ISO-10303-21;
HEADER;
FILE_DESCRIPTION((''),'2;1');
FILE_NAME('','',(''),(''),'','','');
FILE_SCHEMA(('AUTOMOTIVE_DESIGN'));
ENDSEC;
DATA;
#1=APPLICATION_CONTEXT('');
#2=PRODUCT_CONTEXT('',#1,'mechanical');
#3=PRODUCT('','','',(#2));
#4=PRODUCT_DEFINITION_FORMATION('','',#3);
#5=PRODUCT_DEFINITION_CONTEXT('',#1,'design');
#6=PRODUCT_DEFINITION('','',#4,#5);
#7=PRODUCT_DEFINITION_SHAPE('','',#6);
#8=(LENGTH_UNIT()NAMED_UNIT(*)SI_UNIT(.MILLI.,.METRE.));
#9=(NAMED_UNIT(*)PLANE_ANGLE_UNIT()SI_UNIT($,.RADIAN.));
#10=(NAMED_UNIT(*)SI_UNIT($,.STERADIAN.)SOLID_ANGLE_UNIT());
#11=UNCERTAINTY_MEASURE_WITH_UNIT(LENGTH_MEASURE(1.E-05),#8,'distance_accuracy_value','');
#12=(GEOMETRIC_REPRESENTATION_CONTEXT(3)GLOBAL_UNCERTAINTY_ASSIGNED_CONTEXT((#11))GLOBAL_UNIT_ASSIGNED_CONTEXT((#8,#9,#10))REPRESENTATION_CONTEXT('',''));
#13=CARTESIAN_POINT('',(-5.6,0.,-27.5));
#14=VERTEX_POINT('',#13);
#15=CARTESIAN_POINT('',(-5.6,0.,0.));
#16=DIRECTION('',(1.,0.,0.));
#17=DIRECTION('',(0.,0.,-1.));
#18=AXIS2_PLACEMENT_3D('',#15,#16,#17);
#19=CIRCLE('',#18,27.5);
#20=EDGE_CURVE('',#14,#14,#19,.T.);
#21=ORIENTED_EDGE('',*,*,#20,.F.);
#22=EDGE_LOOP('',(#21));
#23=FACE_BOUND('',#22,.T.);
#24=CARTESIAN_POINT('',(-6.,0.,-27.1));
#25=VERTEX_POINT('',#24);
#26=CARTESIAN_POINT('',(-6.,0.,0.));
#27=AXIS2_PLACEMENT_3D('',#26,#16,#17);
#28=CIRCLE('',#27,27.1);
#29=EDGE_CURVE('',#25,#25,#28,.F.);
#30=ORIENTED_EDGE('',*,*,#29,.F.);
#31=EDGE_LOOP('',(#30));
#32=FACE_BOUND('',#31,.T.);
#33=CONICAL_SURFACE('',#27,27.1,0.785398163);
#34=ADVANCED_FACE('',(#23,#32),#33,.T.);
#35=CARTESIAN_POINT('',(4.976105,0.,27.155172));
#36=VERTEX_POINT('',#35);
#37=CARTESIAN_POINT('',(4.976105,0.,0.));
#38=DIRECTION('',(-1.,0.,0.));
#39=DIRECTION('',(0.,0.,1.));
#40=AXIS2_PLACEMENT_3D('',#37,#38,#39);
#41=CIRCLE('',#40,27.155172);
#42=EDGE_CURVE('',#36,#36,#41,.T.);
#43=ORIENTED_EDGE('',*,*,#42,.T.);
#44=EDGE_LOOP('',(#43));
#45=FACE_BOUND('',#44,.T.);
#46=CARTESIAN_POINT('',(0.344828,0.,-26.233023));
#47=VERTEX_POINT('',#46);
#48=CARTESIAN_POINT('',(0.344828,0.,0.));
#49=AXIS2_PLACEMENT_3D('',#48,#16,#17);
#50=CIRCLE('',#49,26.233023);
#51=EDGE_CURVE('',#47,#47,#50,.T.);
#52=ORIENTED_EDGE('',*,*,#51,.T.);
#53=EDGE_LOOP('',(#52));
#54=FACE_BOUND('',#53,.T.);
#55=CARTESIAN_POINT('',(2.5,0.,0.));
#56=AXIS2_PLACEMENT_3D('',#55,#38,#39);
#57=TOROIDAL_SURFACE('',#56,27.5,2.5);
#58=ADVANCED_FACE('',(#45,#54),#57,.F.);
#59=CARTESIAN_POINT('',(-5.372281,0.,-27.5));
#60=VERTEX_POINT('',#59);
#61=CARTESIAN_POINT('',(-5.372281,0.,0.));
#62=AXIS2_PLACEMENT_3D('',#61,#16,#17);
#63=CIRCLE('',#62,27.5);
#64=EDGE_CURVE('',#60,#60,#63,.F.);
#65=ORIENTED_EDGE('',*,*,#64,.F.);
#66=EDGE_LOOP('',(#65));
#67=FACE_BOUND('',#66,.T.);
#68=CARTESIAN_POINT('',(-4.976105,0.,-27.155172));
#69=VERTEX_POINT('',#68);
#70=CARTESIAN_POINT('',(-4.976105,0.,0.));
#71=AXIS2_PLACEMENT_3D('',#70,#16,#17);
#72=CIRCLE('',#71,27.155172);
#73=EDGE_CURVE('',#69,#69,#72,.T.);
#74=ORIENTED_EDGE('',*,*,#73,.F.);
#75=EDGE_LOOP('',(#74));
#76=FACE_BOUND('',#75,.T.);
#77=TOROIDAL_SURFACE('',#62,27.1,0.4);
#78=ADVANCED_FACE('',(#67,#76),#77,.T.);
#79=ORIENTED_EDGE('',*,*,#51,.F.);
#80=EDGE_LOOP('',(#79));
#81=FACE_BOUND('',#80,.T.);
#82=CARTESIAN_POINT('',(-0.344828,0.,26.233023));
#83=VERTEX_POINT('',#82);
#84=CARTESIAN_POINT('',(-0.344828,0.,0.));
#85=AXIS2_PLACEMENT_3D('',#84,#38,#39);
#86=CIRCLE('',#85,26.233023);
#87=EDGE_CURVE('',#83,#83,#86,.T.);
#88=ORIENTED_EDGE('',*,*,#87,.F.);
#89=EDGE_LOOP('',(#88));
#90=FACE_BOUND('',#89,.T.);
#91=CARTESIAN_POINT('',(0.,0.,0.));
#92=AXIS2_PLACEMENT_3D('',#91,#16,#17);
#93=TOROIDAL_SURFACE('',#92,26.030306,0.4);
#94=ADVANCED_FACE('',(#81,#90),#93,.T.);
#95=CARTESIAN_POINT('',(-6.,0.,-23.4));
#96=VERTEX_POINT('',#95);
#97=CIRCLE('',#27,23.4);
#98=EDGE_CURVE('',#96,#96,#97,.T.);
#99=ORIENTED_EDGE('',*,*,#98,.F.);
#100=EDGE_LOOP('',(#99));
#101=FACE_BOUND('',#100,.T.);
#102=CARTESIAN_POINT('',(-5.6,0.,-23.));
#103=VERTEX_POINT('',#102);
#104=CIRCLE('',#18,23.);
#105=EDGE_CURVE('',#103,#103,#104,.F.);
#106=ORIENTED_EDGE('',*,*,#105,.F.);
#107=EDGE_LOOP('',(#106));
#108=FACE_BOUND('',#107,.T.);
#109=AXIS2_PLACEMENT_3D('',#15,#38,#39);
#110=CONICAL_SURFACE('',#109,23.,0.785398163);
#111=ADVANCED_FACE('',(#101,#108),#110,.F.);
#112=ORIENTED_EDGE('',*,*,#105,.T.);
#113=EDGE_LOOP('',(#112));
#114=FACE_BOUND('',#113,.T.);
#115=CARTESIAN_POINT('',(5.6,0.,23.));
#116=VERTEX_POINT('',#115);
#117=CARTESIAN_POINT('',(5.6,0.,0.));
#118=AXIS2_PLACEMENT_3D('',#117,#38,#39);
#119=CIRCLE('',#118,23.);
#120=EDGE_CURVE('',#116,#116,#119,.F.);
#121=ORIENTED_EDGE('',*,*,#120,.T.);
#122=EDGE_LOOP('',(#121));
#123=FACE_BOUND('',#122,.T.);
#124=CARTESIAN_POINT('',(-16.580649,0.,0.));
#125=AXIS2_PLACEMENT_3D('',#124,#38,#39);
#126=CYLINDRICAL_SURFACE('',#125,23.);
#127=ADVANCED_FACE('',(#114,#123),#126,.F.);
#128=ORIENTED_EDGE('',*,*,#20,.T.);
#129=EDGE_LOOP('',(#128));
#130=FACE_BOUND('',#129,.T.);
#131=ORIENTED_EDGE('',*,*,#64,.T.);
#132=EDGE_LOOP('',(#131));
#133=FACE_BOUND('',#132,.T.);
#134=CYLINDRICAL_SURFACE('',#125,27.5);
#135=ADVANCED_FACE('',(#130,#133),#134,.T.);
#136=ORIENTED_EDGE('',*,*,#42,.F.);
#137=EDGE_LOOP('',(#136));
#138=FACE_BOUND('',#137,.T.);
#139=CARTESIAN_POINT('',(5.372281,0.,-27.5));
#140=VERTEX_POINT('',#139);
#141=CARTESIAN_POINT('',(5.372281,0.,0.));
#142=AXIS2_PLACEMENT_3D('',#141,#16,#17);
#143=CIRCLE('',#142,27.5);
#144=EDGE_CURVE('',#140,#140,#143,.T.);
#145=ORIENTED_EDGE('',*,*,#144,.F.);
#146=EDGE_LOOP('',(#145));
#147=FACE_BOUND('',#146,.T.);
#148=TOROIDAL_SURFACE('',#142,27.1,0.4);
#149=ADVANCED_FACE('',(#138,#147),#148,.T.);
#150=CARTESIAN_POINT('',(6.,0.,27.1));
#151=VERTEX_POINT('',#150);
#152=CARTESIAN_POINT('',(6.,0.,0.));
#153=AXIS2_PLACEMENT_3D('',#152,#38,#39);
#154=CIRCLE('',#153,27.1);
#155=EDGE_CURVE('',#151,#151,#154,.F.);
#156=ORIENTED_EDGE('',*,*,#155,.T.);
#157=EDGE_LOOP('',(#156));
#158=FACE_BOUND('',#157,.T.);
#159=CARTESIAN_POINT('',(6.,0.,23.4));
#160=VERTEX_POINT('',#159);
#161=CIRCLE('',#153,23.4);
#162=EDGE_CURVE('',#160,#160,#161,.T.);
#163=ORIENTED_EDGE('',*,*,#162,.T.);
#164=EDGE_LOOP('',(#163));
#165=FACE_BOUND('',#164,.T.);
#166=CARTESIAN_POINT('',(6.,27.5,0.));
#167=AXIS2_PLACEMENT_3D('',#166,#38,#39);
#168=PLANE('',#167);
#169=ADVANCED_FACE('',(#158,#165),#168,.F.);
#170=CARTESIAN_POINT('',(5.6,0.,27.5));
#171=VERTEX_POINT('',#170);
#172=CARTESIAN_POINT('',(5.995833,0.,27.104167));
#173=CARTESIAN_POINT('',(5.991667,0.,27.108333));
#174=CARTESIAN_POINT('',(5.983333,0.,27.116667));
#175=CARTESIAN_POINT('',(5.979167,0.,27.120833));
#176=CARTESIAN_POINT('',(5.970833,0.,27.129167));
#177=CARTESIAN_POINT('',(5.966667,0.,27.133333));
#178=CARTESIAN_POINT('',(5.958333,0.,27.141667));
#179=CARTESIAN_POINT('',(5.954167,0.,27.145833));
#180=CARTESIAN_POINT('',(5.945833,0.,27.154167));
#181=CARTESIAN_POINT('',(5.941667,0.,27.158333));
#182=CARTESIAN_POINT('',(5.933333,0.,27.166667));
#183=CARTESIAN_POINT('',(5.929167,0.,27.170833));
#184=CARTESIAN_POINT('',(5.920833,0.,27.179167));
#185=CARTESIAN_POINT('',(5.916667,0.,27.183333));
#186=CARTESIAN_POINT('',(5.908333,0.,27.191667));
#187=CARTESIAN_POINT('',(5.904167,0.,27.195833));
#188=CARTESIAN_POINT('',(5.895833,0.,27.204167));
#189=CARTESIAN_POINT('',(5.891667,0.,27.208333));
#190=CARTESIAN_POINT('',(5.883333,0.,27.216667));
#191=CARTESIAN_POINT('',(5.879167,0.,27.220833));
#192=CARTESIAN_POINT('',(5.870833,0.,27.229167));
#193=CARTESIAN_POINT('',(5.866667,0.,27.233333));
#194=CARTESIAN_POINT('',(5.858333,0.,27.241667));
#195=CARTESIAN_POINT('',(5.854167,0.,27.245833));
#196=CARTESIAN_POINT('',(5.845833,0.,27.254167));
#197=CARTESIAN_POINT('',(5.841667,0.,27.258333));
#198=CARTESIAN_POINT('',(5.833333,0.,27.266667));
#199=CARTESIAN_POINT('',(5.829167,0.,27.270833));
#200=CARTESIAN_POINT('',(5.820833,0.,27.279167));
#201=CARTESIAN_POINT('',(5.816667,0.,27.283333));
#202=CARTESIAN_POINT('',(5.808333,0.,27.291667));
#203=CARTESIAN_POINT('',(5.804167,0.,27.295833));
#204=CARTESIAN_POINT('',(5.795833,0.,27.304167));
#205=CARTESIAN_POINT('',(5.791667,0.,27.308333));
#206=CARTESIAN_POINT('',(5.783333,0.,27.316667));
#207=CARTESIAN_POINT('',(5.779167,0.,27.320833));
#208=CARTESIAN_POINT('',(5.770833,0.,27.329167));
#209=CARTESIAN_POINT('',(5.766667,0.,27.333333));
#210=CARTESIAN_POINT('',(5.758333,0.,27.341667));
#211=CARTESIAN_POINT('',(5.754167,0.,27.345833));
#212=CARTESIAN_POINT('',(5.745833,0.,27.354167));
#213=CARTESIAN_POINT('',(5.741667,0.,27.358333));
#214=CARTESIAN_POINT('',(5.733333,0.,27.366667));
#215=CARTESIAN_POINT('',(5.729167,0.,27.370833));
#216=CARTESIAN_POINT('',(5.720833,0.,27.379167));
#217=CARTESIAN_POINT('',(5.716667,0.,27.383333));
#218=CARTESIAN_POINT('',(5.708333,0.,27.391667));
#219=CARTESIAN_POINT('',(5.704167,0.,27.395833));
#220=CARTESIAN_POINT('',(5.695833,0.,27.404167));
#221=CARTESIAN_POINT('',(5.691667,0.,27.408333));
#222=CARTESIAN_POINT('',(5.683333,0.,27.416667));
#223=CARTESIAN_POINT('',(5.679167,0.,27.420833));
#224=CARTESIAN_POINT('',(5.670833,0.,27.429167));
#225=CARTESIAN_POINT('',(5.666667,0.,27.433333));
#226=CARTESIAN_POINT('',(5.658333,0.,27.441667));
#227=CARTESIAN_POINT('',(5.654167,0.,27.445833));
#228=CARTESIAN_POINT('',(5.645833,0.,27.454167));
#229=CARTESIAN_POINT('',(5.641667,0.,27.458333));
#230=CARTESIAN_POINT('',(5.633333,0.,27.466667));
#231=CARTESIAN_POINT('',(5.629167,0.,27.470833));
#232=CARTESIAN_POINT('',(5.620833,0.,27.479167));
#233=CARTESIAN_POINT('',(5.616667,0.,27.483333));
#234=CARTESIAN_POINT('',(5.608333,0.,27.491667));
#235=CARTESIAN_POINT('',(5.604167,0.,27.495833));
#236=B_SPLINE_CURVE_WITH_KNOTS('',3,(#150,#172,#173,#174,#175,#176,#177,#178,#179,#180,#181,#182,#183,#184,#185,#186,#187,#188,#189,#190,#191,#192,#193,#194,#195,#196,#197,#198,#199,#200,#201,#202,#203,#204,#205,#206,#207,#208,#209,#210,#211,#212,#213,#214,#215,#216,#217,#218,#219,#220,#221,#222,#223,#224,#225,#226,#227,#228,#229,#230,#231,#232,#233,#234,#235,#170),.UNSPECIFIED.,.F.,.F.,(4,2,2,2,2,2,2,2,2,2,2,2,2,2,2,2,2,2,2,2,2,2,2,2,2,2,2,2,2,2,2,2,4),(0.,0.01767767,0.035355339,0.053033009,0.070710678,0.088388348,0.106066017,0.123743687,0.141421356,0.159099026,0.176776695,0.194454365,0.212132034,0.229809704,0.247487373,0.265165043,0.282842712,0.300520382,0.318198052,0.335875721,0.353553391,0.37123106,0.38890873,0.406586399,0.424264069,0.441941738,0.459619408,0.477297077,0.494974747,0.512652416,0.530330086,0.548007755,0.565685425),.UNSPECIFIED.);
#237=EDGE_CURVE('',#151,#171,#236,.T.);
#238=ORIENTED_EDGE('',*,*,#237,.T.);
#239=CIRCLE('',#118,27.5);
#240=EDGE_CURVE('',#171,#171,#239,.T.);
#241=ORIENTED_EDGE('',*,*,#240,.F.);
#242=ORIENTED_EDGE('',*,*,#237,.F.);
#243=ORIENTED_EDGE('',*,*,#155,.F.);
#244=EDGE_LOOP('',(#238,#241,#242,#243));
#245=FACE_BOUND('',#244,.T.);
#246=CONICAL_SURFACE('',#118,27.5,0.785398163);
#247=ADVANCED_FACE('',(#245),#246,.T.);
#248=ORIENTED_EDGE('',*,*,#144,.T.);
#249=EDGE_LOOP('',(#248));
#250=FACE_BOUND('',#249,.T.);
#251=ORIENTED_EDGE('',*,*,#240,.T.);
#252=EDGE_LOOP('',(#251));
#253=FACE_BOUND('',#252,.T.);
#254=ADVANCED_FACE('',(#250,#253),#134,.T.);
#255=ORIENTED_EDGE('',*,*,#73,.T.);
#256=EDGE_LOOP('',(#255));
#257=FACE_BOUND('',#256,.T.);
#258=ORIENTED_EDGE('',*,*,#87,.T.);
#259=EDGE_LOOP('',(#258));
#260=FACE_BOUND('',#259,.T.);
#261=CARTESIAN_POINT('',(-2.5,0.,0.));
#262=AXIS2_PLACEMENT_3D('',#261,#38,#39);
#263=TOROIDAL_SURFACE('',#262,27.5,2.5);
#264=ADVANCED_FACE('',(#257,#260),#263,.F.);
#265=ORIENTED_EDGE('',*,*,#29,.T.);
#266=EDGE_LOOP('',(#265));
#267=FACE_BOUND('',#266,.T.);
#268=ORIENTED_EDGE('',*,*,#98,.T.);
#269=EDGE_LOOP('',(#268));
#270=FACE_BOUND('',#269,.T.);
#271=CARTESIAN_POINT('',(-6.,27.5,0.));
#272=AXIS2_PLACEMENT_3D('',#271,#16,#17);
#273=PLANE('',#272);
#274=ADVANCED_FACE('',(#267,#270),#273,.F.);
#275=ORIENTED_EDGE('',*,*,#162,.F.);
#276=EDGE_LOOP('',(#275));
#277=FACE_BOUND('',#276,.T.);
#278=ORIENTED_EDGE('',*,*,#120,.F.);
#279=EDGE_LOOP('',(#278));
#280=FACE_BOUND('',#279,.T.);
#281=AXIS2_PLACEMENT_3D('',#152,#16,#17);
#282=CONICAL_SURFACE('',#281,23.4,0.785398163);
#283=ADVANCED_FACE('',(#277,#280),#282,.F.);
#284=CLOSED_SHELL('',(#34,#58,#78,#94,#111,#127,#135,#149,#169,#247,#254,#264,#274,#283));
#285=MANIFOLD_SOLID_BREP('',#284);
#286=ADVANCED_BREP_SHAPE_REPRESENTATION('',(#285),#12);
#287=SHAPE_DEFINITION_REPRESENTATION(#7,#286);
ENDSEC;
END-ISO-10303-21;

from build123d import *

# Parameters (mm, degrees)
FILLET_1_R     = 0.4
CHAMFER_1_SIZE = 0.4


with BuildPart() as part:
    # 草图1 → 旋转1 (revolve)
    with BuildSketch(Plane.XY, mode=Mode.PRIVATE) as revolve_1_sk:
        with BuildLine():
            Line((6, 23), (0, 23))
            Line((0, 23), (-6, 23))
            Line((-6, 23), (-6, 27.5))
            Line((-6, 27.5), (-5, 27.5))
            ThreePointArc((-5, 27.5), (-2.5, 25), (0, 27.5))
            ThreePointArc((0, 27.5), (2.5, 25), (5, 27.5))
            Line((5, 27.5), (6, 27.5))
            Line((6, 27.5), (6, 23))
        make_face()
    revolve(revolve_1_sk.sketch.rotate(Axis((-16.580648815, 0, 0), (1, 0, 0)), 90), axis=Axis((-16.580648815, 0, 0), (1, 0, 0)))

    # 圆角1
    fillet_1_edges = [part.edges().sort_by_distance(p)[0] for p in [
        (0, 0, -27.5),
        (5, 0, -27.5),
        (-5, 0, -27.5),
    ]]
    fillet(fillet_1_edges, radius=FILLET_1_R)

    # 倒角1
    chamfer_1_edges = [part.edges().sort_by_distance(p)[0] for p in [
        (6, 0, -27.5),
        (6, 0, -23),
        (-6, 0, -23),
        (-6, 0, -27.5),
    ]]
    chamfer(chamfer_1_edges, length=CHAMFER_1_SIZE)


solid = part.part
